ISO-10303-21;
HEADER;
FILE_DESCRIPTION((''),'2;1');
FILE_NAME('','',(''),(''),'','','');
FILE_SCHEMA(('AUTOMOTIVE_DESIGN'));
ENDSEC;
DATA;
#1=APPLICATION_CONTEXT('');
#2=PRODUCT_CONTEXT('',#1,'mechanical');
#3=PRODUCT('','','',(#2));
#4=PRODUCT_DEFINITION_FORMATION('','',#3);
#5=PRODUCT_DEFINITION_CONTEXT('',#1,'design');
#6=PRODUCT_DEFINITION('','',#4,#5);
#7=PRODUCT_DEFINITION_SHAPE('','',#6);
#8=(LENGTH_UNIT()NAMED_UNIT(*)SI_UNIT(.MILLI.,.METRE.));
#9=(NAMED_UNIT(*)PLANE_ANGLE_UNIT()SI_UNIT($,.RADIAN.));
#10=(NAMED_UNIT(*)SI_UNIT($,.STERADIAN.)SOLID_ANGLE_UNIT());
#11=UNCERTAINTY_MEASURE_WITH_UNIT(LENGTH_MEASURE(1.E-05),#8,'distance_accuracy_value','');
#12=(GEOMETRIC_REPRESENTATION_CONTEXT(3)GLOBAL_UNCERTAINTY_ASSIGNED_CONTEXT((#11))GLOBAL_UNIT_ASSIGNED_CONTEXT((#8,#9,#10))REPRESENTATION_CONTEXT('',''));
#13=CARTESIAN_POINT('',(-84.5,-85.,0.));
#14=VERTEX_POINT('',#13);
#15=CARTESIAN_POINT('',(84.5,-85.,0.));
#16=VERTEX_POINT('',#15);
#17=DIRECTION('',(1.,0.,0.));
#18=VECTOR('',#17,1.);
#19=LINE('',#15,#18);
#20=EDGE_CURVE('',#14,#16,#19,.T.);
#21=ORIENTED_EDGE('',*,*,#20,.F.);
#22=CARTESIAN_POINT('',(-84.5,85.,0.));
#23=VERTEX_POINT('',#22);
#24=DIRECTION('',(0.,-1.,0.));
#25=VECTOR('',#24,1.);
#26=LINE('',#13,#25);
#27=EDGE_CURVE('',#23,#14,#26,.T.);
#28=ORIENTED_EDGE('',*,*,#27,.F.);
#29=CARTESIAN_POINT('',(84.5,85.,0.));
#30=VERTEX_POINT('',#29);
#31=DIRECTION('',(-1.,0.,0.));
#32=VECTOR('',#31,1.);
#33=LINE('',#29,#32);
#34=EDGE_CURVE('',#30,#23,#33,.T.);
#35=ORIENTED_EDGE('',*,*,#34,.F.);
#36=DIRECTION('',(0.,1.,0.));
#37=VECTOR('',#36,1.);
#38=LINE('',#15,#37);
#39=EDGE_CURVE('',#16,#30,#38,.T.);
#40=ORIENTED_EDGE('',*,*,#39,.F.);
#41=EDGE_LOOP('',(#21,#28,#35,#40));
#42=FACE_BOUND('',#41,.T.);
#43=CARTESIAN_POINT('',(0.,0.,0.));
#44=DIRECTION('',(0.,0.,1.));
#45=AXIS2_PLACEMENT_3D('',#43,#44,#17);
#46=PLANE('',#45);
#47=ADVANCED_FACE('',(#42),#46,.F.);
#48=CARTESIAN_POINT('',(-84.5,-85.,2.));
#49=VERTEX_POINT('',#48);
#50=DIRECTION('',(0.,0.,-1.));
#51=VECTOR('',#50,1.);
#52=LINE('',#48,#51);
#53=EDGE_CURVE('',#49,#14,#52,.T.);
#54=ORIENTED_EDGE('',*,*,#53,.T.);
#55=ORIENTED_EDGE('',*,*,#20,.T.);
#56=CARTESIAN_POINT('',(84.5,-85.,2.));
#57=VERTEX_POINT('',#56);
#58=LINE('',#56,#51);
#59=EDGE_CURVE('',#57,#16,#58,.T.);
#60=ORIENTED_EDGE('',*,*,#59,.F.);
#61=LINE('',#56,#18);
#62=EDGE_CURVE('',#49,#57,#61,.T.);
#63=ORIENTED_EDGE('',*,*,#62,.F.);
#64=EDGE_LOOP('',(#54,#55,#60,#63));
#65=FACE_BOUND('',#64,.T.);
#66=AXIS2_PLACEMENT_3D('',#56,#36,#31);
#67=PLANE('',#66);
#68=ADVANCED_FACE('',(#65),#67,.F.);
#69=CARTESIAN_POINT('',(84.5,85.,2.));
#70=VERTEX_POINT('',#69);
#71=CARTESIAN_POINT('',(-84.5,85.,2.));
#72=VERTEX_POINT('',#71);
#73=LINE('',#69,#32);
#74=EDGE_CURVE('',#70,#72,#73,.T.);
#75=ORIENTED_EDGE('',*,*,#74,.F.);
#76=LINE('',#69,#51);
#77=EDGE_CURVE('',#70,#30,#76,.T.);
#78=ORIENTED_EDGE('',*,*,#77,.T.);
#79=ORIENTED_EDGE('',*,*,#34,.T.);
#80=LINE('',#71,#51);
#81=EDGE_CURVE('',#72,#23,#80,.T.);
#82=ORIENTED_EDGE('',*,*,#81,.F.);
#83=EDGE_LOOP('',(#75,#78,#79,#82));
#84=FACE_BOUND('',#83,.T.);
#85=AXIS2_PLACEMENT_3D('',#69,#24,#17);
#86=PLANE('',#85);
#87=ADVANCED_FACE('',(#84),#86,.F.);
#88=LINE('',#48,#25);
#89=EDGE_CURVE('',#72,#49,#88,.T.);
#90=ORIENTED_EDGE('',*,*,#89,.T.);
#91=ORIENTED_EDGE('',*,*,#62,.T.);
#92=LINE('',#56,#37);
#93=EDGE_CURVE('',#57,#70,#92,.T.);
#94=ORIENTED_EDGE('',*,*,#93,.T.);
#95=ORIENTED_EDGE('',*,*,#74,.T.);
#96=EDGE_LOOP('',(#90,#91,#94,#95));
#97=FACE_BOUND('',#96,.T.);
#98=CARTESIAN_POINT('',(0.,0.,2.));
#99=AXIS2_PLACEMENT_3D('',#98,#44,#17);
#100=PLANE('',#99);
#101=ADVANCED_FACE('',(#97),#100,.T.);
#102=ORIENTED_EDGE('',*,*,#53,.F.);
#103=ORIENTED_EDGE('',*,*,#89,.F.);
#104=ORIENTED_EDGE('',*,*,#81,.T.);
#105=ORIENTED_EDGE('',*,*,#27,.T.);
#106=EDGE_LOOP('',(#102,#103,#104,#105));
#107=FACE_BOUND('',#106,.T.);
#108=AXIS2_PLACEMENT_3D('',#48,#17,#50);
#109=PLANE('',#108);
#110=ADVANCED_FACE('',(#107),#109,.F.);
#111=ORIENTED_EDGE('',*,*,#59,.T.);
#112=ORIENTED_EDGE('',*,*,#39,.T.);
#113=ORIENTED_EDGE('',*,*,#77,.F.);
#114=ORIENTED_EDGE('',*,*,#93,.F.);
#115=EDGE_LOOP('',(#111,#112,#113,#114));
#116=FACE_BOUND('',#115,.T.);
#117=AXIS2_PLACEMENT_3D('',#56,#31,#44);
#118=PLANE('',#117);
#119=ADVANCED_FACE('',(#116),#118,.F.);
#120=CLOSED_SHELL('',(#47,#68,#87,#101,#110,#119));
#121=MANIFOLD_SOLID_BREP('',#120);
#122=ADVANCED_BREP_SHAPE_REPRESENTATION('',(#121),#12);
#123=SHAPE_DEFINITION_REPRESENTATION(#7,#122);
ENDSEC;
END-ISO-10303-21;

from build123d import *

# Parameters (mm, degrees)
MODEL_W             = 169
MODEL_H             = 170
BOSS_EXTRUDE1_DEPTH = 2


with BuildPart() as part:
    # Model → Boss-Extrude1 (new body)
    with BuildSketch(Plane.XY):
        Rectangle(MODEL_W, MODEL_H)
    extrude(amount=BOSS_EXTRUDE1_DEPTH)


solid = part.part
